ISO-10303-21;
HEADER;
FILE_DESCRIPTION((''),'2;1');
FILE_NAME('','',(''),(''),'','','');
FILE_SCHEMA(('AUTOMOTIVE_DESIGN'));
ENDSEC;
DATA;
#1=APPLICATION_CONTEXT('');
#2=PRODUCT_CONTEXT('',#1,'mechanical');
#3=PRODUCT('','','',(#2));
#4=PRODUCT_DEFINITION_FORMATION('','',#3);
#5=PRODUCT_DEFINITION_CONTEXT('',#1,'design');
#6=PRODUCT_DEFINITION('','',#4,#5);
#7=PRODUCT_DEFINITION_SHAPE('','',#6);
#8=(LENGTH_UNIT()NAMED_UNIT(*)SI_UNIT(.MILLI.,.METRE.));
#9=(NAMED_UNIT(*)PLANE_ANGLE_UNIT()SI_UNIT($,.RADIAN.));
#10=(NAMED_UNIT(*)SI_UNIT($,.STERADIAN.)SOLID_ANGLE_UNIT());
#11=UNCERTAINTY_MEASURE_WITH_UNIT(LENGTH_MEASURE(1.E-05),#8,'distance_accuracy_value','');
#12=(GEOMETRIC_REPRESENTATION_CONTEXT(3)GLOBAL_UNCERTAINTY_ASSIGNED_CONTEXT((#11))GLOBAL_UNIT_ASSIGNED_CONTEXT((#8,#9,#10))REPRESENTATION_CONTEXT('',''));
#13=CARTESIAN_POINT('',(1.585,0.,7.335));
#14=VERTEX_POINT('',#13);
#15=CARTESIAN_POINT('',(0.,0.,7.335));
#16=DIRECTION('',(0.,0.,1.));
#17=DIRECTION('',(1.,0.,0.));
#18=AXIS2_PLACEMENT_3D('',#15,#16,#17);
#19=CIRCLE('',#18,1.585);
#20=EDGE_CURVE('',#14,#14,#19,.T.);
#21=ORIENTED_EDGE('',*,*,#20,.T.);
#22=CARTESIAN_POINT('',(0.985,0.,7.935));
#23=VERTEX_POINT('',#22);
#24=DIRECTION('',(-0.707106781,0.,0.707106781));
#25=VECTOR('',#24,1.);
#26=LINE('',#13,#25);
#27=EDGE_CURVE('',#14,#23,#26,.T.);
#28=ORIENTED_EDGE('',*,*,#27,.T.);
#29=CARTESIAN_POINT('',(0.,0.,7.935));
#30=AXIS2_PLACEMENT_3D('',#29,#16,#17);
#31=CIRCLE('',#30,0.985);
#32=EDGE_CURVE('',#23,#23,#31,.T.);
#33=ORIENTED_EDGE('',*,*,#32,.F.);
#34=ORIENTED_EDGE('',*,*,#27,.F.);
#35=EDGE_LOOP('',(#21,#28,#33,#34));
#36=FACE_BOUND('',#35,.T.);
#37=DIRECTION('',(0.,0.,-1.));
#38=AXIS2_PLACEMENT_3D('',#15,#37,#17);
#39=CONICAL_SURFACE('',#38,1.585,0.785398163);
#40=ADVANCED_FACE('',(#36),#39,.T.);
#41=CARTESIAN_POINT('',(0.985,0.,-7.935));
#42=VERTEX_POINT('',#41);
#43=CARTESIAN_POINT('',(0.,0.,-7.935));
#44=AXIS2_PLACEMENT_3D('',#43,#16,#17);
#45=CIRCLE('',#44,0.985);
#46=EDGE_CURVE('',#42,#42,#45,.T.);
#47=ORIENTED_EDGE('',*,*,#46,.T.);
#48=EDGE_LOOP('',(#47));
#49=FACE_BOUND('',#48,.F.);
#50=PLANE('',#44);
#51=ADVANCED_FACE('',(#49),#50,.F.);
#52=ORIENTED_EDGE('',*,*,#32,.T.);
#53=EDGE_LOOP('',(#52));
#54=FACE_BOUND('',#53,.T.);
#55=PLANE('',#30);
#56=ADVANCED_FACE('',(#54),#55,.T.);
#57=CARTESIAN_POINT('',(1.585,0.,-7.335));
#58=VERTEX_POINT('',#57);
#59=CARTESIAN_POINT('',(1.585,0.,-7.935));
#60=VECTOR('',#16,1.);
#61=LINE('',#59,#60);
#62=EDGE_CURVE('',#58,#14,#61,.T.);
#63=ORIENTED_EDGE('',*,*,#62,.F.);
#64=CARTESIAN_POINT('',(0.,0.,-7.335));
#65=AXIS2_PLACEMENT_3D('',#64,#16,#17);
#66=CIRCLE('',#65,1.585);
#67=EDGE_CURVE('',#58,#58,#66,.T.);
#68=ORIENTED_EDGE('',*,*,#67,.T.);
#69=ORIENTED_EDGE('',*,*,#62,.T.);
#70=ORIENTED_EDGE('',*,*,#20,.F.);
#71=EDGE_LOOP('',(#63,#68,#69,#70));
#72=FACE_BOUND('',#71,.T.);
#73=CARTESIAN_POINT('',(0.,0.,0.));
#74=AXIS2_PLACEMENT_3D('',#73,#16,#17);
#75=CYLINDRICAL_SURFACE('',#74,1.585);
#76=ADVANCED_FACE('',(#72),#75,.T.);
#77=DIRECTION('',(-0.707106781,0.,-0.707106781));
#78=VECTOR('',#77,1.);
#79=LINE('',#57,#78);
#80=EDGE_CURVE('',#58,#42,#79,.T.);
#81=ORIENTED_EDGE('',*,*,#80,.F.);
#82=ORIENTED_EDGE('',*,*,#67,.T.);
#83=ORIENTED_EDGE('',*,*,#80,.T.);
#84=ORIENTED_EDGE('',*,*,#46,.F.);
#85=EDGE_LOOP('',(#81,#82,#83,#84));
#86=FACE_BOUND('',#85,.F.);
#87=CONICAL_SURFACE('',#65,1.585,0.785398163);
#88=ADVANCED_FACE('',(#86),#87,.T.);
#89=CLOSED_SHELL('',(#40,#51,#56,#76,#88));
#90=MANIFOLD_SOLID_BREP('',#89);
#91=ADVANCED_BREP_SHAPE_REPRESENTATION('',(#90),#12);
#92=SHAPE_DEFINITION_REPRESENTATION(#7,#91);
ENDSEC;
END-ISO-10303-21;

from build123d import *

# Parameters (mm, degrees)
SKETCH2_R           = 1.585
BOSS_EXTRUDE1_DEPTH = 7.935
CHAMFER1_SIZE       = 0.6


with BuildPart() as part:
    # Sketch2 → Boss-Extrude1 (new body, symmetric)
    with BuildSketch(Plane.XY):
        Circle(SKETCH2_R)
    extrude(amount=BOSS_EXTRUDE1_DEPTH, both=True)

    # Chamfer1
    chamfer1_edges = [part.edges().sort_by_distance(p)[0] for p in [
        (-1.585, 0, -7.935),
        (-1.585, 0, 7.935),
    ]]
    chamfer(chamfer1_edges, length=CHAMFER1_SIZE)


solid = part.part
